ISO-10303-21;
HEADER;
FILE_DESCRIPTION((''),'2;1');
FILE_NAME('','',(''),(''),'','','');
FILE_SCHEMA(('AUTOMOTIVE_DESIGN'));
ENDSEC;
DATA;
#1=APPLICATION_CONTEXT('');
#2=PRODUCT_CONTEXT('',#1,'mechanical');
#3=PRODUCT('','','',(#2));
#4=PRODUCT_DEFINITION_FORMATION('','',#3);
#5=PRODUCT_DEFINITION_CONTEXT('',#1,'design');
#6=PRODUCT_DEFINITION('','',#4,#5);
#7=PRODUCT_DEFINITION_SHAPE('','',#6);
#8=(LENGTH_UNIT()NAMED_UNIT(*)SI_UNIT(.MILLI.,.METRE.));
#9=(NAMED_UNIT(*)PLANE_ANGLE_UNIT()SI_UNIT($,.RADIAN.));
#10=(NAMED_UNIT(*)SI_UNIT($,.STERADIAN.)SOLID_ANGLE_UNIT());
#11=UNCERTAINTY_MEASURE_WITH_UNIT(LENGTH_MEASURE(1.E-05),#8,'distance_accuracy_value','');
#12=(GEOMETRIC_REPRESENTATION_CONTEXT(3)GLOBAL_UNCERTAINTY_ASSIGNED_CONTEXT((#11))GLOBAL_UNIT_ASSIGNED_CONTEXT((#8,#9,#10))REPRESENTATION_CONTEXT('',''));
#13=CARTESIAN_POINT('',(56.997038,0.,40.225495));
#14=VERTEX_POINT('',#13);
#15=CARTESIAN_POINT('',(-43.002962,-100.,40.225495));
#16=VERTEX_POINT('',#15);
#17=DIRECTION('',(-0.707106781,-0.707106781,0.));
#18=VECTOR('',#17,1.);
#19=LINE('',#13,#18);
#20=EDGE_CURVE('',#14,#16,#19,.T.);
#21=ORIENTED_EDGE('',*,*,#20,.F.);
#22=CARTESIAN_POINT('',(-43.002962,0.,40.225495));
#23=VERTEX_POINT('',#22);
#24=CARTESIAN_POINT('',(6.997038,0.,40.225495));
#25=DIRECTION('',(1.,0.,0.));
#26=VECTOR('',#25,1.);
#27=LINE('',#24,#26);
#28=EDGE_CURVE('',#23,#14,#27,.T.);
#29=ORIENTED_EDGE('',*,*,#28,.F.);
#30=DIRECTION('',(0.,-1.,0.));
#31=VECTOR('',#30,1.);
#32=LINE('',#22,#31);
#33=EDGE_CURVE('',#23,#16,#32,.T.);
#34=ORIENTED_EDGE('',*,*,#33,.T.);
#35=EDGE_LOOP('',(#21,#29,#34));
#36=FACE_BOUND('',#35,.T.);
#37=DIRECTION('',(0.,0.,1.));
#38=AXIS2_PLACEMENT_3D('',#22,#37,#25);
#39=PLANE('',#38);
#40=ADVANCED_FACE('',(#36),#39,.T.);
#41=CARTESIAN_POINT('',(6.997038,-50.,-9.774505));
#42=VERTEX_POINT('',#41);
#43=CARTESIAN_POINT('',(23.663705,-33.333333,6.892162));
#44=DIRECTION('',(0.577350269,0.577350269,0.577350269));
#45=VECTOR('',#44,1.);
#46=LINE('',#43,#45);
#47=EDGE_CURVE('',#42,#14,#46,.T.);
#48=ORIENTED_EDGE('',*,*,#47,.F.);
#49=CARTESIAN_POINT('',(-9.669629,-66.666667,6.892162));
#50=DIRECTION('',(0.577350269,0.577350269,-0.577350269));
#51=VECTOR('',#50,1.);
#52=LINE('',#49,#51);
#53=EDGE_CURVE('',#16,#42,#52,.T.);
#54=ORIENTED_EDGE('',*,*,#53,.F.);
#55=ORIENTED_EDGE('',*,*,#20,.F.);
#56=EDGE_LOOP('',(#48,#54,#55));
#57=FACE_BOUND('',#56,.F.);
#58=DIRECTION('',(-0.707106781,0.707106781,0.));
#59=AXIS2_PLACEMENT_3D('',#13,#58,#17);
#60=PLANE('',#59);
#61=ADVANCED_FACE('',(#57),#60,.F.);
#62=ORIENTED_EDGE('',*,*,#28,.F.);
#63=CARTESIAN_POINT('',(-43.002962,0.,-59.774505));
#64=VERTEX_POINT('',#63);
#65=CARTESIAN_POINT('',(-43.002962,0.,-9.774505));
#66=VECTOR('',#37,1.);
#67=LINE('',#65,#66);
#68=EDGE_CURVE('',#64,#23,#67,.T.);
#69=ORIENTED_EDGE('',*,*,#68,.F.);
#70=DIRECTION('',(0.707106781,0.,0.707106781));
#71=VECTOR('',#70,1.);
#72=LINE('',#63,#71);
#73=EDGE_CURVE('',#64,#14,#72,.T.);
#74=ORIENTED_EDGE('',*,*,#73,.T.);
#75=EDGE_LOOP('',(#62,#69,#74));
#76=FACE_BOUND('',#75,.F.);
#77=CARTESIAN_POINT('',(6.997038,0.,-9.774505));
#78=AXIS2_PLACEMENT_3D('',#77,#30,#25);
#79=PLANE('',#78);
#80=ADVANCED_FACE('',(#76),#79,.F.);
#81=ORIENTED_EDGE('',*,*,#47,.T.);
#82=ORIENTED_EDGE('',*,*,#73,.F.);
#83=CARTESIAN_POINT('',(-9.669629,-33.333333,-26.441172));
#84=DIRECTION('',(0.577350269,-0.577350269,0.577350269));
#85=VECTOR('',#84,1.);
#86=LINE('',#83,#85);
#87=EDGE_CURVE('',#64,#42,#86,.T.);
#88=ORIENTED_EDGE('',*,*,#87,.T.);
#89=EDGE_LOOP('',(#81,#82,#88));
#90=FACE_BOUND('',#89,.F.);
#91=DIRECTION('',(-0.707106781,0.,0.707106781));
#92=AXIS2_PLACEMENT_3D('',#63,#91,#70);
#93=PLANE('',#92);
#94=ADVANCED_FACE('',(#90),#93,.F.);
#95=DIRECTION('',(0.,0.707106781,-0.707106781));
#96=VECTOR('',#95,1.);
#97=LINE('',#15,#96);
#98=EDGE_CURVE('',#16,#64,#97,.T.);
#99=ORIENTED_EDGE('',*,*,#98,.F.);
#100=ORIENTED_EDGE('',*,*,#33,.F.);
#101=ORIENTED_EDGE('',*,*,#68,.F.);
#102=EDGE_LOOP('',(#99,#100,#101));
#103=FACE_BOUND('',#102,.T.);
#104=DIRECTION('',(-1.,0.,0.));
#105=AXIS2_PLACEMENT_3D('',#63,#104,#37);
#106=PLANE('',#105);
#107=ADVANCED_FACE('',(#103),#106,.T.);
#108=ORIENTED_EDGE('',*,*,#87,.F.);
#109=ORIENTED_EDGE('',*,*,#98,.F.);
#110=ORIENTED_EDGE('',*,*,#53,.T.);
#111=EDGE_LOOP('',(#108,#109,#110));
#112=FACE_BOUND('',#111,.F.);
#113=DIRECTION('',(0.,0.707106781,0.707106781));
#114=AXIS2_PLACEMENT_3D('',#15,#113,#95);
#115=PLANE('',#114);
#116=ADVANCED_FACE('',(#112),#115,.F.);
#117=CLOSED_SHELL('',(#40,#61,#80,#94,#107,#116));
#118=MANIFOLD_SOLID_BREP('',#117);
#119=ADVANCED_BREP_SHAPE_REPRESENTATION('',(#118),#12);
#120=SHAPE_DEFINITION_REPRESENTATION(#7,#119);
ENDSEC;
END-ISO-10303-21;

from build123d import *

# Parameters (mm, degrees)
F0_W     = 100
F0_H     = 100
F1_DEPTH = 100
F3_DEPTH = 100
F5_DEPTH = 100
F7_DEPTH = 100


with BuildPart() as f1:
    # F0 (on Front) → F1 (new body)
    with BuildSketch(Plane.XZ):
        with Locations((6.997038, -9.774505)):
            Rectangle(F0_W, F0_H)
    extrude(amount=F1_DEPTH)

    # F2 (on face) → F3 (cut)
    with BuildSketch(Plane.XY.offset(40.225495)):
        Polygon((56.997038, 0), (-43.002962, -100), (56.997038, -100), align=None)
    extrude(amount=-F3_DEPTH, mode=Mode.SUBTRACT)

    # F4 (on face) → F5 (cut)
    with BuildSketch(Plane(origin=(-43.002962, 0, 0), x_dir=(0, -1, 0), z_dir=(-1, 0, 0))):
        Polygon((100, -59.774505), (100, 40.225495), (0, -59.774505), align=None)
    extrude(amount=-F5_DEPTH, mode=Mode.SUBTRACT)

    # F6 (on face) → F7 (cut)
    with BuildSketch(Plane(origin=(0, 0, 0), x_dir=(-1, 0, 0), z_dir=(0, 1, 0))):
        Polygon((-56.997038, -59.774505), (43.002962, -59.774505), (-56.997038, 40.225495), align=None)
    extrude(amount=-F7_DEPTH, mode=Mode.SUBTRACT)


solid = f1.part
